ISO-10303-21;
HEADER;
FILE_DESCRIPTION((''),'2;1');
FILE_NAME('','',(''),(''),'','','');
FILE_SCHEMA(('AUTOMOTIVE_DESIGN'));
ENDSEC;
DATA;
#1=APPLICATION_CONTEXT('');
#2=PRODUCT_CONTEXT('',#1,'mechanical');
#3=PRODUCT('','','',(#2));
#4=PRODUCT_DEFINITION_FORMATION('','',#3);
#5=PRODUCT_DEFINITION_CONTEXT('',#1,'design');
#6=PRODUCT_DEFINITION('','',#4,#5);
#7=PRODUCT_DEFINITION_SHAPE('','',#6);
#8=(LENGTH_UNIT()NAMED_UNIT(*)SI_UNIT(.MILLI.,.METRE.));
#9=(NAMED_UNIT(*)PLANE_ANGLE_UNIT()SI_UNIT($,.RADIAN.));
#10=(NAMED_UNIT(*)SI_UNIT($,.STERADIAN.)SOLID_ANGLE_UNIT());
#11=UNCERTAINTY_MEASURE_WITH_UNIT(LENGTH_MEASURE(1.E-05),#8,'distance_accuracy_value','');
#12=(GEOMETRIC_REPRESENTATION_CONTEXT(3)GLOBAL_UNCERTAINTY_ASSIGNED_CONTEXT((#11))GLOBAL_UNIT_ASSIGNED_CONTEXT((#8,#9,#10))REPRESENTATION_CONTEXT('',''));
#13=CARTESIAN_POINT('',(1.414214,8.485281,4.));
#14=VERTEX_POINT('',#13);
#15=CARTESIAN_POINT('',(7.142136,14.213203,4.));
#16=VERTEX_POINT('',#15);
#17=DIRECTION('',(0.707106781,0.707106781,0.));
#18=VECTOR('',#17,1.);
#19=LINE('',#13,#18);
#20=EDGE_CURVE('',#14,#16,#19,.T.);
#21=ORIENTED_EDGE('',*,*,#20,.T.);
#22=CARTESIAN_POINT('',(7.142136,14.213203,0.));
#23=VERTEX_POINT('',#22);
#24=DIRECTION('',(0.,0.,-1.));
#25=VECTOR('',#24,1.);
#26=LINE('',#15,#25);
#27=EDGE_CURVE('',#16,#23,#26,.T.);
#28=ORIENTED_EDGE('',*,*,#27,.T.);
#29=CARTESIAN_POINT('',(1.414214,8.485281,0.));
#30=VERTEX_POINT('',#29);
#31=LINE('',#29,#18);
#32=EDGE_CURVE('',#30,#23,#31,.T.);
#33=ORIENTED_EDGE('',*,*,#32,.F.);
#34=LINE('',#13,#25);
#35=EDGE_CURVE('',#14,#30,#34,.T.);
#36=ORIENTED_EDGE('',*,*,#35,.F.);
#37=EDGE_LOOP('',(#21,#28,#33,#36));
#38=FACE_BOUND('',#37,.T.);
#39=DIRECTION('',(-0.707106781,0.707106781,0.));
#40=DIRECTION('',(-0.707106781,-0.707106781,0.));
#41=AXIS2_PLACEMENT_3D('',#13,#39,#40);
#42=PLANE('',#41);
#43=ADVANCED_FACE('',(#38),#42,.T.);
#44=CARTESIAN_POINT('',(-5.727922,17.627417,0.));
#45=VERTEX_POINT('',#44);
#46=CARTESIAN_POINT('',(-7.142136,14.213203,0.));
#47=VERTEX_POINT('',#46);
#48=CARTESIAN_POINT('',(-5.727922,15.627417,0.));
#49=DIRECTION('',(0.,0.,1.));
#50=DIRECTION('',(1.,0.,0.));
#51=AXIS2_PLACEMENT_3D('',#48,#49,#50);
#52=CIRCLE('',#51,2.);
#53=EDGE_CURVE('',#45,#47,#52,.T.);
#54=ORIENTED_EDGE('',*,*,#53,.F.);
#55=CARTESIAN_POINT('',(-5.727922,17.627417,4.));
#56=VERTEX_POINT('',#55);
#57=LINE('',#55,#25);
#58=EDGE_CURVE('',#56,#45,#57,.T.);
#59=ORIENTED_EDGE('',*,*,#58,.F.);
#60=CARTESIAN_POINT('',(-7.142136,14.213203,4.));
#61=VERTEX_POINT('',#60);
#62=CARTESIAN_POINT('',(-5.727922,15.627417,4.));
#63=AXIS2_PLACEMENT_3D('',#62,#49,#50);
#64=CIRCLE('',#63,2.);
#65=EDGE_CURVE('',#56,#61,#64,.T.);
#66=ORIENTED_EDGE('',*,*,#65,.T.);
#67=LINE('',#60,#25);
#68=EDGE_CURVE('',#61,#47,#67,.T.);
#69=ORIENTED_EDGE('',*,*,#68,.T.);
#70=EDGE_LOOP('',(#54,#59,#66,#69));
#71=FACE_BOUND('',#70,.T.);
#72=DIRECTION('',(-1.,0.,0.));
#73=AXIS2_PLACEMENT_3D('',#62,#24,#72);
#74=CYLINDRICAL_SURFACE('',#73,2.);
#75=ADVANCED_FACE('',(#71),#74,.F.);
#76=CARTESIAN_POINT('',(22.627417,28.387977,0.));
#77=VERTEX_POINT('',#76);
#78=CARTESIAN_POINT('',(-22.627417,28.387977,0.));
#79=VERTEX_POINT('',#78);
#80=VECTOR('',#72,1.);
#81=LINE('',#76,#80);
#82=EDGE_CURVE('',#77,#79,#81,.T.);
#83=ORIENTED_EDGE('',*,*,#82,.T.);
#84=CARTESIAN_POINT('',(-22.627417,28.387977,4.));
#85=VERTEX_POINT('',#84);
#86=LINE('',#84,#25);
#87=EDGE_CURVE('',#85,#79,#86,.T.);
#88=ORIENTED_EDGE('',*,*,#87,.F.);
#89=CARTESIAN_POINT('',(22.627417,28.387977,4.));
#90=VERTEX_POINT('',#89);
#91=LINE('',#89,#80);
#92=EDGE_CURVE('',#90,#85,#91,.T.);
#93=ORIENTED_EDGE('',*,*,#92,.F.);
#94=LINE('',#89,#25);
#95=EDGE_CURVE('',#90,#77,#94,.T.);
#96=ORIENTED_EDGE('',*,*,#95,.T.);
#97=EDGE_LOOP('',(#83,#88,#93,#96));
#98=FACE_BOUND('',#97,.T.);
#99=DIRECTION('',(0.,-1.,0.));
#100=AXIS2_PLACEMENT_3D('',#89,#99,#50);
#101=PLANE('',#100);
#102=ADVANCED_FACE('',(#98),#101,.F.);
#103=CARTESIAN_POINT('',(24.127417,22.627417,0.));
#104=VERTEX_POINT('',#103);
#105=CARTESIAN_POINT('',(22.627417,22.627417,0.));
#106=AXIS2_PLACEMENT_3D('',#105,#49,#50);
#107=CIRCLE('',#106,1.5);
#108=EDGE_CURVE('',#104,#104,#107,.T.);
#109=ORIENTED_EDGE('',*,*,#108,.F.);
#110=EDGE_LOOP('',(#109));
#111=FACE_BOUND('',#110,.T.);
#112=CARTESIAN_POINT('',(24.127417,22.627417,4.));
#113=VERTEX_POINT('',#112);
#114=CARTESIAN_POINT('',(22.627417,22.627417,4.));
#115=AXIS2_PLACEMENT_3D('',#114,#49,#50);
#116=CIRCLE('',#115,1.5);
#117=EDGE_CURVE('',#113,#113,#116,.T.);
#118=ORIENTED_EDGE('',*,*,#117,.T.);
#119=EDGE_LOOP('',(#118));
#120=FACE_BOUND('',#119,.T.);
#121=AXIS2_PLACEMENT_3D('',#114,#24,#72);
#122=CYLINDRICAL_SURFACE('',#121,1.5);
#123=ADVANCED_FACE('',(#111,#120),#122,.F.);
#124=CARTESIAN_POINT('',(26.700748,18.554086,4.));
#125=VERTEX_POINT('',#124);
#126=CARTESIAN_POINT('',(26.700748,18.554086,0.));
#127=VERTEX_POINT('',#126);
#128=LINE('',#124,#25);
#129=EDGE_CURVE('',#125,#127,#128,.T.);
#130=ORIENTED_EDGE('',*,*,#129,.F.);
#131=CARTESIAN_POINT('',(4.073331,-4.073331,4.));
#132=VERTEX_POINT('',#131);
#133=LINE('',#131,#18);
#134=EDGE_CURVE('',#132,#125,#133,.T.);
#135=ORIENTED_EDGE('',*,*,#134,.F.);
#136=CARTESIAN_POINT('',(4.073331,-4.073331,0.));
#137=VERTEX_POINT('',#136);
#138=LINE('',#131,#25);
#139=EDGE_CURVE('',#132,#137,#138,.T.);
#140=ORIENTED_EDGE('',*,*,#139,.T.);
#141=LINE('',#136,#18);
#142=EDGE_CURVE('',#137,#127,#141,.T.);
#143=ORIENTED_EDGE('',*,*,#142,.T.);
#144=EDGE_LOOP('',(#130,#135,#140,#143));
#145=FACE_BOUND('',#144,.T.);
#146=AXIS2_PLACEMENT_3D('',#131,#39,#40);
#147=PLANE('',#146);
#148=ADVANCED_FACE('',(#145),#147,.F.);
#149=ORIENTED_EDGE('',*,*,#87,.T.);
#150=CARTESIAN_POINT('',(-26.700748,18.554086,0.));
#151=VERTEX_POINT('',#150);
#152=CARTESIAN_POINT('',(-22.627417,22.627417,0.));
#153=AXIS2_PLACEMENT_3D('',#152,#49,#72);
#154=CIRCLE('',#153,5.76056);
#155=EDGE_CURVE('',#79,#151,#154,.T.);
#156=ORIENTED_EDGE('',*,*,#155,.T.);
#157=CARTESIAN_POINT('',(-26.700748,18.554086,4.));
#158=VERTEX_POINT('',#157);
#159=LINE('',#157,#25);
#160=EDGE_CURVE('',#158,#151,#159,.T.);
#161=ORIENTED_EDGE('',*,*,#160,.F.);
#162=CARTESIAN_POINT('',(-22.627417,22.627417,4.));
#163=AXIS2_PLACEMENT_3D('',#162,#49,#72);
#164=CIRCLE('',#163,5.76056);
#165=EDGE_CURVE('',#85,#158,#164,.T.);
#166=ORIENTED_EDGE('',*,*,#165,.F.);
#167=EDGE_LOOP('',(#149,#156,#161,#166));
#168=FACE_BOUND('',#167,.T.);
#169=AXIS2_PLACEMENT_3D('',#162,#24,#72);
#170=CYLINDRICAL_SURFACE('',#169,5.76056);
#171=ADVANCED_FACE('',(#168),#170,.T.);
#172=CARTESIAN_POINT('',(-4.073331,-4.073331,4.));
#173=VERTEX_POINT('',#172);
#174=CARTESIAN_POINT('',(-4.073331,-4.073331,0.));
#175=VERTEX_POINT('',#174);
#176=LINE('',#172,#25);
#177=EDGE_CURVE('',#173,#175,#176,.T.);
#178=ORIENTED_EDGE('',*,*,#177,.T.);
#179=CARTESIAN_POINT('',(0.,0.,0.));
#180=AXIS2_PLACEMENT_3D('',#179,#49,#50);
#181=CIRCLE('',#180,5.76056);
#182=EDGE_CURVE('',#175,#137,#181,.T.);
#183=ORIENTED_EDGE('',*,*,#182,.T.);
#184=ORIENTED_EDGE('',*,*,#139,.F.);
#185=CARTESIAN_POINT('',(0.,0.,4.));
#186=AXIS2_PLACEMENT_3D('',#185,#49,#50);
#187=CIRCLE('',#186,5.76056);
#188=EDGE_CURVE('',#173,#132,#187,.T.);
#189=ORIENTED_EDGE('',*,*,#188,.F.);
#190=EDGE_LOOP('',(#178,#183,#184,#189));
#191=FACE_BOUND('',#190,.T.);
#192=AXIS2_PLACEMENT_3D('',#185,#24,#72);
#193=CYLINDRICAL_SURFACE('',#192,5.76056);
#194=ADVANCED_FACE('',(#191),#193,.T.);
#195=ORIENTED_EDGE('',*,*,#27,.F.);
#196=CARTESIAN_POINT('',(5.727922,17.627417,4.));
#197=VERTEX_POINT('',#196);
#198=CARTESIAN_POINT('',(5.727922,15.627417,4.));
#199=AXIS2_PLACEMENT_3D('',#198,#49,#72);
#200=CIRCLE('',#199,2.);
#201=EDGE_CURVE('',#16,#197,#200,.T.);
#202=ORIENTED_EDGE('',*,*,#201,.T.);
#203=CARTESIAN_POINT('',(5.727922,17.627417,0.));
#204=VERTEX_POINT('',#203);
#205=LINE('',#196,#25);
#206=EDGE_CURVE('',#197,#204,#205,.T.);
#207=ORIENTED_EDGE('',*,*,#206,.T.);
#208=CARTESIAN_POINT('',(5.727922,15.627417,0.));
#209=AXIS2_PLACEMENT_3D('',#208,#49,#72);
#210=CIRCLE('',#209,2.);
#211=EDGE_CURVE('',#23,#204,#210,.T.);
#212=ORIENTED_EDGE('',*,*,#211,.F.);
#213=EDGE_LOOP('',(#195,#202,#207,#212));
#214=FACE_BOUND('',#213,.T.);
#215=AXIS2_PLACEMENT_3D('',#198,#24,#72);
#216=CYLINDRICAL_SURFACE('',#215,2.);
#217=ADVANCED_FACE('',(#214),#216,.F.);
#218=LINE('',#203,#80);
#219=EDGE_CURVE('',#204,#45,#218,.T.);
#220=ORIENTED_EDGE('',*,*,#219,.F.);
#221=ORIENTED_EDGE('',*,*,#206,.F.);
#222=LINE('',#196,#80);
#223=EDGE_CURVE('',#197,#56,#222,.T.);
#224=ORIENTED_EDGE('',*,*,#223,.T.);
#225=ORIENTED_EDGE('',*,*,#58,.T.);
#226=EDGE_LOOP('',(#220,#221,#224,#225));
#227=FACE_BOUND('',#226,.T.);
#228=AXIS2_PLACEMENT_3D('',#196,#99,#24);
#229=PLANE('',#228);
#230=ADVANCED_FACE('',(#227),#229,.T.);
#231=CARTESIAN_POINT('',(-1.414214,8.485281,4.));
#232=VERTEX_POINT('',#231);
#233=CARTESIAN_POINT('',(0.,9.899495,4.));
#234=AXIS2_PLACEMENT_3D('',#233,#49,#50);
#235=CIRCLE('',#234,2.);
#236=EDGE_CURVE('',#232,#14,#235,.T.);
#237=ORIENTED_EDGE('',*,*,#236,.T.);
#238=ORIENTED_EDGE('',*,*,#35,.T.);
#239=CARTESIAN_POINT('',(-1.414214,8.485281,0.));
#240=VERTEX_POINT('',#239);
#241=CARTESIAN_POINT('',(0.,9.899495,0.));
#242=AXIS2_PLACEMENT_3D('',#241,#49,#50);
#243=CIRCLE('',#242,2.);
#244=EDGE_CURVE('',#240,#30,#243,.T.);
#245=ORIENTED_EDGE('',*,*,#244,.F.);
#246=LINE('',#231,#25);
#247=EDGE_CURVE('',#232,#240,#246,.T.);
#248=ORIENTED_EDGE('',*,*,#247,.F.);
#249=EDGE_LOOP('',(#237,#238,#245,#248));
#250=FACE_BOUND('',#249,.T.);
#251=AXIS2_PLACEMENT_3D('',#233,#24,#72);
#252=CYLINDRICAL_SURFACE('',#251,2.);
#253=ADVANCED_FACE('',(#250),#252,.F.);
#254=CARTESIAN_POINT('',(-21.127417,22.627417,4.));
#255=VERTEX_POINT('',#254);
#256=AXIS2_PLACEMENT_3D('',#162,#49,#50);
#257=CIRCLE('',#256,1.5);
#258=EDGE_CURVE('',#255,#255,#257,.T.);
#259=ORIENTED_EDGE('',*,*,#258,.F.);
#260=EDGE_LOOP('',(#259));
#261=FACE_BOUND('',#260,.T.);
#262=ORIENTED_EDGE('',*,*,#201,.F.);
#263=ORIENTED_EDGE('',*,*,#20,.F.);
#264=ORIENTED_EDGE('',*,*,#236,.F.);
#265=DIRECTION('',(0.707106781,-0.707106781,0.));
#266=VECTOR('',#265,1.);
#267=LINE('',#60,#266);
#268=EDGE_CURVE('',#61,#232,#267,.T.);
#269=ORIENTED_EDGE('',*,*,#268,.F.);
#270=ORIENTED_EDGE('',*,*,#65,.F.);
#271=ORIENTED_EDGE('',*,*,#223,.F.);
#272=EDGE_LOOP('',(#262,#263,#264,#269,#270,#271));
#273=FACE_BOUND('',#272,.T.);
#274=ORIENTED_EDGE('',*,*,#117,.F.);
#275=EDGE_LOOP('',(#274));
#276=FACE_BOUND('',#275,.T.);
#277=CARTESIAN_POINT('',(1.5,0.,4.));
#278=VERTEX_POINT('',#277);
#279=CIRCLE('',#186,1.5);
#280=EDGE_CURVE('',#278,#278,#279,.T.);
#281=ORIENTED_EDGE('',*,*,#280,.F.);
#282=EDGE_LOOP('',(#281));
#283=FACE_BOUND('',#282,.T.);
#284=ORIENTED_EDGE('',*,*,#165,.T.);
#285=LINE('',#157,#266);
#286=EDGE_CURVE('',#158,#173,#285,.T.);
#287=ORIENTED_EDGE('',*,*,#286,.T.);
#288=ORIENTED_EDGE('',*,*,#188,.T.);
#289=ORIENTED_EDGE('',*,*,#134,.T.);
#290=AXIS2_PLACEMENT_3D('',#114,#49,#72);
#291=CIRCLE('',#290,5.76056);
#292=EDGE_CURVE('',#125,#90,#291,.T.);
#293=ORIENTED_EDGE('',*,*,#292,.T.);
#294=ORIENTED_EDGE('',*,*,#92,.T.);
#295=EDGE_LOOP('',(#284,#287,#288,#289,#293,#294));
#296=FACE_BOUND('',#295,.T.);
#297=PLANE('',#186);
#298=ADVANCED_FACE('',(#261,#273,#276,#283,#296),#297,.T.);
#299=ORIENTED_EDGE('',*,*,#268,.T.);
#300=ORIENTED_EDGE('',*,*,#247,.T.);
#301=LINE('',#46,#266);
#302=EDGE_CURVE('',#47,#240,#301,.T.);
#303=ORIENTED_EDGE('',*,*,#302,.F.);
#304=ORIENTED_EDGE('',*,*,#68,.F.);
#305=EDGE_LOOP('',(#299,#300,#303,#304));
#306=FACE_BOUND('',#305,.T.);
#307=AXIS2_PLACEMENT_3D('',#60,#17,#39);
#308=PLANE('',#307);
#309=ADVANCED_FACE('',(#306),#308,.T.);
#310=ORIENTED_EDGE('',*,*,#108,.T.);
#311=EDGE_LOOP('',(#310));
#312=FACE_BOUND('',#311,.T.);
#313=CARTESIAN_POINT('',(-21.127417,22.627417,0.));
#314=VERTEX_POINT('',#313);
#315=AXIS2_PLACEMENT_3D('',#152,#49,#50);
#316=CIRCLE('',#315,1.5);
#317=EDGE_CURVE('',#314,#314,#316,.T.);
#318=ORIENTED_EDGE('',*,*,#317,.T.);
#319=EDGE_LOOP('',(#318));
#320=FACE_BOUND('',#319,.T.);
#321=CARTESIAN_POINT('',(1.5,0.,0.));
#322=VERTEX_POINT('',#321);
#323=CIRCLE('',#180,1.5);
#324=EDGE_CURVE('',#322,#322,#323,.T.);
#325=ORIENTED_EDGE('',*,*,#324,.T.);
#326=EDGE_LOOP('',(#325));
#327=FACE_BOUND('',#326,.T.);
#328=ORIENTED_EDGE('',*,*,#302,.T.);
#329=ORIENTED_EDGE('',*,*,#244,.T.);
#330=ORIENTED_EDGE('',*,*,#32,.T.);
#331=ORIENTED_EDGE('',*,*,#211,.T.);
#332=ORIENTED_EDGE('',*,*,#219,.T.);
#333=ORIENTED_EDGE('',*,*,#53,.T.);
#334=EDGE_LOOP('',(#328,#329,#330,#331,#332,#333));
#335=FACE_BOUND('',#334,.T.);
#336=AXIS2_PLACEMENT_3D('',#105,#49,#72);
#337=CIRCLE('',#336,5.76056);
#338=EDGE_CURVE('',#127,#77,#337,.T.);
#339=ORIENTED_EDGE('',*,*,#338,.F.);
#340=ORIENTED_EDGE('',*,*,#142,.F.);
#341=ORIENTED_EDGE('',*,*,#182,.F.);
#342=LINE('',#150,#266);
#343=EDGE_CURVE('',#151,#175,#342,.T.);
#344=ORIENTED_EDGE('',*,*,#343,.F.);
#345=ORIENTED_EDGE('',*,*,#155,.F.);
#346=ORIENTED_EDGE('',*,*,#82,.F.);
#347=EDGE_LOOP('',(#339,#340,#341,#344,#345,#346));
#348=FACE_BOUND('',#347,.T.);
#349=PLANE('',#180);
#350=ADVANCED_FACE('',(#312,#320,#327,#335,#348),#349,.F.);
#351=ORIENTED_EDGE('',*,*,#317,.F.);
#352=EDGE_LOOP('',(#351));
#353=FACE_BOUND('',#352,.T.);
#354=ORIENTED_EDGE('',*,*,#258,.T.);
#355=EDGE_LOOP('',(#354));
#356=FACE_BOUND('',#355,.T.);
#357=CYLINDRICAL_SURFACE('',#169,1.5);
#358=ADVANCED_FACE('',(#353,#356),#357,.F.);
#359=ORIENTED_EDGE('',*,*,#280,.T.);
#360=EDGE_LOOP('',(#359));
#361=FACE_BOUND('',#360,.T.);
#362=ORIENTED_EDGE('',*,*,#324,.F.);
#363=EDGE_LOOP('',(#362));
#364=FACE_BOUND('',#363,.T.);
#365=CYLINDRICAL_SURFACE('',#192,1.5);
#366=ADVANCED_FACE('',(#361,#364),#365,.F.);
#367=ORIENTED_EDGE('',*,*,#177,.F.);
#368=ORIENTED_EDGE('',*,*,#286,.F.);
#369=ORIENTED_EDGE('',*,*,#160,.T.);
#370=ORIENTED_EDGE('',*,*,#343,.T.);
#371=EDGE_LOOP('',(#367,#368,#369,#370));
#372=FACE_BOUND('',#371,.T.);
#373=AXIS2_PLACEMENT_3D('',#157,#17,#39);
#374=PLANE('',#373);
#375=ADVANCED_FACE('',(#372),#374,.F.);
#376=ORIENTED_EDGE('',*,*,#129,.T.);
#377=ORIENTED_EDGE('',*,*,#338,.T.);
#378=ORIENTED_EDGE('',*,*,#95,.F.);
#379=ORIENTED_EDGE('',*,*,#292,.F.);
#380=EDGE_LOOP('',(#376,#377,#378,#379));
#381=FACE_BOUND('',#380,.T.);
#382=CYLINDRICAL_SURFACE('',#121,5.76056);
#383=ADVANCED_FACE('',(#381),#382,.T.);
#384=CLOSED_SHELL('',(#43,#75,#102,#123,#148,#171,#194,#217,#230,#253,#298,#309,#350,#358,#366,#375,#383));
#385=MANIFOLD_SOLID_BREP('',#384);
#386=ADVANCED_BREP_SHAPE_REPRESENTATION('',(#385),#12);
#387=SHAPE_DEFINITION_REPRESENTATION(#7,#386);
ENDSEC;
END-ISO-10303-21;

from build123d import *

# Parameters (mm, degrees)
SCHIZZO1_R                   = 1.5
ESTRUSIONE_ESTRUSIONE1_DEPTH = 4


with BuildPart() as part:
    # Schizzo1 → Estrusione-Estrusione1 (new body)
    with BuildSketch(Plane.XY):
        with BuildLine():
            Line((22.627416998, 28.387976608), (-22.627416998, 28.387976608))
            ThreePointArc((-22.627416998, 28.387976608), (-27.949480117, 24.831887722), (-26.700747761, 18.554086235))
            Line((-26.700747761, 18.554086235), (-4.073330763, -4.073330763))
            ThreePointArc((-4.073330763, -4.073330763), (0, -5.76055961), (4.073330763, -4.073330763))
            Line((4.073330763, -4.073330763), (26.700747761, 18.554086235))
            ThreePointArc((26.700747761, 18.554086235), (27.949480117, 24.831887722), (22.627416998, 28.387976608))
        make_face()
        Circle(SCHIZZO1_R, mode=Mode.SUBTRACT)
        with Locations((22.627416998, 22.627416998)):
            Circle(SCHIZZO1_R, mode=Mode.SUBTRACT)
        with Locations((-22.627416998, 22.627416998)):
            Circle(SCHIZZO1_R, mode=Mode.SUBTRACT)
        with BuildLine():
            Line((5.727922061, 17.627416998), (-5.727922061, 17.627416998))
            ThreePointArc((-5.727922061, 17.627416998), (-7.575681126, 16.392783863), (-7.142135624, 14.213203436))
            Line((-7.142135624, 14.213203436), (-1.414213562, 8.485281374))
            ThreePointArc((-1.414213562, 8.485281374), (0, 7.899494937), (1.414213562, 8.485281374))
            Line((1.414213562, 8.485281374), (7.142135624, 14.213203436))
            ThreePointArc((7.142135624, 14.213203436), (7.575681126, 16.392783863), (5.727922061, 17.627416998))
        make_face(mode=Mode.SUBTRACT)
    extrude(amount=ESTRUSIONE_ESTRUSIONE1_DEPTH)


solid = part.part
